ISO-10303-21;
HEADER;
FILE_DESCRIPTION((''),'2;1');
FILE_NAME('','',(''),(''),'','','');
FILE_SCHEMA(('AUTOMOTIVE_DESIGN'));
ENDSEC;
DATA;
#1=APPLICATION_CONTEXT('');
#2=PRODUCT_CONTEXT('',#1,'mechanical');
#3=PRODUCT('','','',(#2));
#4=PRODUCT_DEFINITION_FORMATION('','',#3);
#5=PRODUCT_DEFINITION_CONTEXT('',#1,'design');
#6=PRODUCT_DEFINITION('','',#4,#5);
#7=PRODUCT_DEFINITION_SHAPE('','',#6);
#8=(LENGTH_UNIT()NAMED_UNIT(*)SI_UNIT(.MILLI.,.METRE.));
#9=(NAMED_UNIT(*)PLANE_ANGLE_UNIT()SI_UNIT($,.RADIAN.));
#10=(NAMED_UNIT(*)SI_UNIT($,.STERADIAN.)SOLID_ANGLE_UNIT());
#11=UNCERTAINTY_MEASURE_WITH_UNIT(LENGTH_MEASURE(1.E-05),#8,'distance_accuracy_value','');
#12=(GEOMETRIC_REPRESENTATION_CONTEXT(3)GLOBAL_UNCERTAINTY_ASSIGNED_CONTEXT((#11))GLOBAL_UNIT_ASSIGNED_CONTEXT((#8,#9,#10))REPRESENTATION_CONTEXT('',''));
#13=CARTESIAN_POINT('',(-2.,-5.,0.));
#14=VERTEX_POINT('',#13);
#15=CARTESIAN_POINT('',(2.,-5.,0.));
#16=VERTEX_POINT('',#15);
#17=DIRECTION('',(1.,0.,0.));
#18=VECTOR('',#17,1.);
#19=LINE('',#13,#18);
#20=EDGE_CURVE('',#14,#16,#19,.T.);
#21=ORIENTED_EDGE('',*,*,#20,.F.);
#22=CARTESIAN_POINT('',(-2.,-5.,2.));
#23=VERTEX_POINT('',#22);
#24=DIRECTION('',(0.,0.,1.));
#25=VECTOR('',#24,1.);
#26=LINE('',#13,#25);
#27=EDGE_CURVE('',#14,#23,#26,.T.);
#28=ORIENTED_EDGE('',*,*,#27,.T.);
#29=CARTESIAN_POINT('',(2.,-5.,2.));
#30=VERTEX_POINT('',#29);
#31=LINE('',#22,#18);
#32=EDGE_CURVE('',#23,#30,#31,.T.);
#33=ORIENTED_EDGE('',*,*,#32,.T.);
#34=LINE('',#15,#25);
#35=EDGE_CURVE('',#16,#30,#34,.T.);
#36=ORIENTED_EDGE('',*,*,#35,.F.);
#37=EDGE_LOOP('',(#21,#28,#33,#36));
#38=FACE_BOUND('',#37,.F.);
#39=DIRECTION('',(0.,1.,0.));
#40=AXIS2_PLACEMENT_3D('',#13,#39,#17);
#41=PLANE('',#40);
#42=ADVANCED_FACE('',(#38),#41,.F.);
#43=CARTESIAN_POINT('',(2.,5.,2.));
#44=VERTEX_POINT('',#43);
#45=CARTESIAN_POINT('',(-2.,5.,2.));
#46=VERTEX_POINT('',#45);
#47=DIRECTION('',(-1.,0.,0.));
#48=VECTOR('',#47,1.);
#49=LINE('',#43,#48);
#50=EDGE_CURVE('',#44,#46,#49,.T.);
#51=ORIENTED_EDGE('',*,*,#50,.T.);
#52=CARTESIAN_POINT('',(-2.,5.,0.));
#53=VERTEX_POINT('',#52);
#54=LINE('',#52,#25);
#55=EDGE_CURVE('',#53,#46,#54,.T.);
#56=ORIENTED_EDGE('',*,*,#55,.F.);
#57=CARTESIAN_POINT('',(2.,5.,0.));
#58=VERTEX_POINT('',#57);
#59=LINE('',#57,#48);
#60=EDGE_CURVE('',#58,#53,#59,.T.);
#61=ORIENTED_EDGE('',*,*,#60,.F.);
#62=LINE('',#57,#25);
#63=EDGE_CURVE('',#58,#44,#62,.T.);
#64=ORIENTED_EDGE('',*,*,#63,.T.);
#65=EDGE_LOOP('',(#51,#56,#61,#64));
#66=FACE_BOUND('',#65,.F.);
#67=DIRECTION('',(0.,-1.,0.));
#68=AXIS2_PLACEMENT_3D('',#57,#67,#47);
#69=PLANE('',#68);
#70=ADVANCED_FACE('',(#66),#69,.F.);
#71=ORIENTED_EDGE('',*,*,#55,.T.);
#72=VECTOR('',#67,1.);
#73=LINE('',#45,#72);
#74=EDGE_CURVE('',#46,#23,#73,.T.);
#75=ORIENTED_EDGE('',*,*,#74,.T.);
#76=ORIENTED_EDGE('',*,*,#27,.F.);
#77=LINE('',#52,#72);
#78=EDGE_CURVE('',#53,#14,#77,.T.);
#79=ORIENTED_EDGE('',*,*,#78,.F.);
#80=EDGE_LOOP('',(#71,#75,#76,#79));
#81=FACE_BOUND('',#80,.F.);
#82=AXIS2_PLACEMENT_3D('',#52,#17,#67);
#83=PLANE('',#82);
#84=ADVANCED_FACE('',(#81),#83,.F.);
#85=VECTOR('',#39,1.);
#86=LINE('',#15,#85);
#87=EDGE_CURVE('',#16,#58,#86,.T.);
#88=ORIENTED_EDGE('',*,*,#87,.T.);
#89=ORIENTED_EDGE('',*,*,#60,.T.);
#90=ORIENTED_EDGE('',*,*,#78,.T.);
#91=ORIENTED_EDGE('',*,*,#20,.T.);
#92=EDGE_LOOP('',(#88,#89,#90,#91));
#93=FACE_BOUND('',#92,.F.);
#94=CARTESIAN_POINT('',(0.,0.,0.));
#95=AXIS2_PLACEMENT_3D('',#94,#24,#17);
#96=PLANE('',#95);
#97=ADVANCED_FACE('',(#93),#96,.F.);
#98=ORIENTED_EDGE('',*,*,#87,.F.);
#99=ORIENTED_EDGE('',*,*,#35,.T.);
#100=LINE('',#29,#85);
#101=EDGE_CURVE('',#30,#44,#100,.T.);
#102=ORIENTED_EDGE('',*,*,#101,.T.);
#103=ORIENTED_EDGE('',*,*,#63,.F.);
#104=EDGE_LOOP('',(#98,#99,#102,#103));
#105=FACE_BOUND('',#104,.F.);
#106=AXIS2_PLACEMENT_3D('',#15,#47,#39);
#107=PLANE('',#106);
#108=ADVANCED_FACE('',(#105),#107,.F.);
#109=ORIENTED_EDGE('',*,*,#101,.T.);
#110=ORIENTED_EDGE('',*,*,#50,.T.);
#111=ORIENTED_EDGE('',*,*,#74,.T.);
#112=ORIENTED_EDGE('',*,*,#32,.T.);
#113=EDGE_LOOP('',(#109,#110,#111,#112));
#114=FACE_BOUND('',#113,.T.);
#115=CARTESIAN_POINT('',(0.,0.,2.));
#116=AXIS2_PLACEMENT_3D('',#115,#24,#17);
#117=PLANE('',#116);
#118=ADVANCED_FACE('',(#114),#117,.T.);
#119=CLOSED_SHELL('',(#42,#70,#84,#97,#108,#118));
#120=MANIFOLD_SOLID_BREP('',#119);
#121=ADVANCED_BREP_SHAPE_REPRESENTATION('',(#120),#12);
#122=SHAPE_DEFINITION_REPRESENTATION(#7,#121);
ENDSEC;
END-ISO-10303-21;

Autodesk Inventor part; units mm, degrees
ref_plane "YZ Plane" through (0, 0, 0) normal (1, 0, 0) x (0, 1, 0)
ref_plane "XZ Plane" through (0, 0, 0) normal (0, 1, 0) x (-1, 0, 0)
ref_plane "XY Plane" through (0, 0, 0) normal (0, 0, 1) x (1, 0, 0)
sketch "Skizze1" plane through (0, 0, 0) normal (0, 0, 1) x (1, 0, 0)
  line L0 (-2, -5) -> (2, -5)
  line L1 (2, -5) -> (2, 5)
  line L2 (2, 5) -> (-2, 5)
  line L3 (-2, 5) -> (-2, -5)
  line L4 (-2, -5) -> (2, 5) construction
  line L5 (2, -5) -> (-2, 5) construction
  point P0 (0, 0)
  dimension "d0" = 4
  dimension "d1" = 10
extrude "Extrusion1" add sketch "Skizze1" along normal blind 2
properties part number "diffusor"
